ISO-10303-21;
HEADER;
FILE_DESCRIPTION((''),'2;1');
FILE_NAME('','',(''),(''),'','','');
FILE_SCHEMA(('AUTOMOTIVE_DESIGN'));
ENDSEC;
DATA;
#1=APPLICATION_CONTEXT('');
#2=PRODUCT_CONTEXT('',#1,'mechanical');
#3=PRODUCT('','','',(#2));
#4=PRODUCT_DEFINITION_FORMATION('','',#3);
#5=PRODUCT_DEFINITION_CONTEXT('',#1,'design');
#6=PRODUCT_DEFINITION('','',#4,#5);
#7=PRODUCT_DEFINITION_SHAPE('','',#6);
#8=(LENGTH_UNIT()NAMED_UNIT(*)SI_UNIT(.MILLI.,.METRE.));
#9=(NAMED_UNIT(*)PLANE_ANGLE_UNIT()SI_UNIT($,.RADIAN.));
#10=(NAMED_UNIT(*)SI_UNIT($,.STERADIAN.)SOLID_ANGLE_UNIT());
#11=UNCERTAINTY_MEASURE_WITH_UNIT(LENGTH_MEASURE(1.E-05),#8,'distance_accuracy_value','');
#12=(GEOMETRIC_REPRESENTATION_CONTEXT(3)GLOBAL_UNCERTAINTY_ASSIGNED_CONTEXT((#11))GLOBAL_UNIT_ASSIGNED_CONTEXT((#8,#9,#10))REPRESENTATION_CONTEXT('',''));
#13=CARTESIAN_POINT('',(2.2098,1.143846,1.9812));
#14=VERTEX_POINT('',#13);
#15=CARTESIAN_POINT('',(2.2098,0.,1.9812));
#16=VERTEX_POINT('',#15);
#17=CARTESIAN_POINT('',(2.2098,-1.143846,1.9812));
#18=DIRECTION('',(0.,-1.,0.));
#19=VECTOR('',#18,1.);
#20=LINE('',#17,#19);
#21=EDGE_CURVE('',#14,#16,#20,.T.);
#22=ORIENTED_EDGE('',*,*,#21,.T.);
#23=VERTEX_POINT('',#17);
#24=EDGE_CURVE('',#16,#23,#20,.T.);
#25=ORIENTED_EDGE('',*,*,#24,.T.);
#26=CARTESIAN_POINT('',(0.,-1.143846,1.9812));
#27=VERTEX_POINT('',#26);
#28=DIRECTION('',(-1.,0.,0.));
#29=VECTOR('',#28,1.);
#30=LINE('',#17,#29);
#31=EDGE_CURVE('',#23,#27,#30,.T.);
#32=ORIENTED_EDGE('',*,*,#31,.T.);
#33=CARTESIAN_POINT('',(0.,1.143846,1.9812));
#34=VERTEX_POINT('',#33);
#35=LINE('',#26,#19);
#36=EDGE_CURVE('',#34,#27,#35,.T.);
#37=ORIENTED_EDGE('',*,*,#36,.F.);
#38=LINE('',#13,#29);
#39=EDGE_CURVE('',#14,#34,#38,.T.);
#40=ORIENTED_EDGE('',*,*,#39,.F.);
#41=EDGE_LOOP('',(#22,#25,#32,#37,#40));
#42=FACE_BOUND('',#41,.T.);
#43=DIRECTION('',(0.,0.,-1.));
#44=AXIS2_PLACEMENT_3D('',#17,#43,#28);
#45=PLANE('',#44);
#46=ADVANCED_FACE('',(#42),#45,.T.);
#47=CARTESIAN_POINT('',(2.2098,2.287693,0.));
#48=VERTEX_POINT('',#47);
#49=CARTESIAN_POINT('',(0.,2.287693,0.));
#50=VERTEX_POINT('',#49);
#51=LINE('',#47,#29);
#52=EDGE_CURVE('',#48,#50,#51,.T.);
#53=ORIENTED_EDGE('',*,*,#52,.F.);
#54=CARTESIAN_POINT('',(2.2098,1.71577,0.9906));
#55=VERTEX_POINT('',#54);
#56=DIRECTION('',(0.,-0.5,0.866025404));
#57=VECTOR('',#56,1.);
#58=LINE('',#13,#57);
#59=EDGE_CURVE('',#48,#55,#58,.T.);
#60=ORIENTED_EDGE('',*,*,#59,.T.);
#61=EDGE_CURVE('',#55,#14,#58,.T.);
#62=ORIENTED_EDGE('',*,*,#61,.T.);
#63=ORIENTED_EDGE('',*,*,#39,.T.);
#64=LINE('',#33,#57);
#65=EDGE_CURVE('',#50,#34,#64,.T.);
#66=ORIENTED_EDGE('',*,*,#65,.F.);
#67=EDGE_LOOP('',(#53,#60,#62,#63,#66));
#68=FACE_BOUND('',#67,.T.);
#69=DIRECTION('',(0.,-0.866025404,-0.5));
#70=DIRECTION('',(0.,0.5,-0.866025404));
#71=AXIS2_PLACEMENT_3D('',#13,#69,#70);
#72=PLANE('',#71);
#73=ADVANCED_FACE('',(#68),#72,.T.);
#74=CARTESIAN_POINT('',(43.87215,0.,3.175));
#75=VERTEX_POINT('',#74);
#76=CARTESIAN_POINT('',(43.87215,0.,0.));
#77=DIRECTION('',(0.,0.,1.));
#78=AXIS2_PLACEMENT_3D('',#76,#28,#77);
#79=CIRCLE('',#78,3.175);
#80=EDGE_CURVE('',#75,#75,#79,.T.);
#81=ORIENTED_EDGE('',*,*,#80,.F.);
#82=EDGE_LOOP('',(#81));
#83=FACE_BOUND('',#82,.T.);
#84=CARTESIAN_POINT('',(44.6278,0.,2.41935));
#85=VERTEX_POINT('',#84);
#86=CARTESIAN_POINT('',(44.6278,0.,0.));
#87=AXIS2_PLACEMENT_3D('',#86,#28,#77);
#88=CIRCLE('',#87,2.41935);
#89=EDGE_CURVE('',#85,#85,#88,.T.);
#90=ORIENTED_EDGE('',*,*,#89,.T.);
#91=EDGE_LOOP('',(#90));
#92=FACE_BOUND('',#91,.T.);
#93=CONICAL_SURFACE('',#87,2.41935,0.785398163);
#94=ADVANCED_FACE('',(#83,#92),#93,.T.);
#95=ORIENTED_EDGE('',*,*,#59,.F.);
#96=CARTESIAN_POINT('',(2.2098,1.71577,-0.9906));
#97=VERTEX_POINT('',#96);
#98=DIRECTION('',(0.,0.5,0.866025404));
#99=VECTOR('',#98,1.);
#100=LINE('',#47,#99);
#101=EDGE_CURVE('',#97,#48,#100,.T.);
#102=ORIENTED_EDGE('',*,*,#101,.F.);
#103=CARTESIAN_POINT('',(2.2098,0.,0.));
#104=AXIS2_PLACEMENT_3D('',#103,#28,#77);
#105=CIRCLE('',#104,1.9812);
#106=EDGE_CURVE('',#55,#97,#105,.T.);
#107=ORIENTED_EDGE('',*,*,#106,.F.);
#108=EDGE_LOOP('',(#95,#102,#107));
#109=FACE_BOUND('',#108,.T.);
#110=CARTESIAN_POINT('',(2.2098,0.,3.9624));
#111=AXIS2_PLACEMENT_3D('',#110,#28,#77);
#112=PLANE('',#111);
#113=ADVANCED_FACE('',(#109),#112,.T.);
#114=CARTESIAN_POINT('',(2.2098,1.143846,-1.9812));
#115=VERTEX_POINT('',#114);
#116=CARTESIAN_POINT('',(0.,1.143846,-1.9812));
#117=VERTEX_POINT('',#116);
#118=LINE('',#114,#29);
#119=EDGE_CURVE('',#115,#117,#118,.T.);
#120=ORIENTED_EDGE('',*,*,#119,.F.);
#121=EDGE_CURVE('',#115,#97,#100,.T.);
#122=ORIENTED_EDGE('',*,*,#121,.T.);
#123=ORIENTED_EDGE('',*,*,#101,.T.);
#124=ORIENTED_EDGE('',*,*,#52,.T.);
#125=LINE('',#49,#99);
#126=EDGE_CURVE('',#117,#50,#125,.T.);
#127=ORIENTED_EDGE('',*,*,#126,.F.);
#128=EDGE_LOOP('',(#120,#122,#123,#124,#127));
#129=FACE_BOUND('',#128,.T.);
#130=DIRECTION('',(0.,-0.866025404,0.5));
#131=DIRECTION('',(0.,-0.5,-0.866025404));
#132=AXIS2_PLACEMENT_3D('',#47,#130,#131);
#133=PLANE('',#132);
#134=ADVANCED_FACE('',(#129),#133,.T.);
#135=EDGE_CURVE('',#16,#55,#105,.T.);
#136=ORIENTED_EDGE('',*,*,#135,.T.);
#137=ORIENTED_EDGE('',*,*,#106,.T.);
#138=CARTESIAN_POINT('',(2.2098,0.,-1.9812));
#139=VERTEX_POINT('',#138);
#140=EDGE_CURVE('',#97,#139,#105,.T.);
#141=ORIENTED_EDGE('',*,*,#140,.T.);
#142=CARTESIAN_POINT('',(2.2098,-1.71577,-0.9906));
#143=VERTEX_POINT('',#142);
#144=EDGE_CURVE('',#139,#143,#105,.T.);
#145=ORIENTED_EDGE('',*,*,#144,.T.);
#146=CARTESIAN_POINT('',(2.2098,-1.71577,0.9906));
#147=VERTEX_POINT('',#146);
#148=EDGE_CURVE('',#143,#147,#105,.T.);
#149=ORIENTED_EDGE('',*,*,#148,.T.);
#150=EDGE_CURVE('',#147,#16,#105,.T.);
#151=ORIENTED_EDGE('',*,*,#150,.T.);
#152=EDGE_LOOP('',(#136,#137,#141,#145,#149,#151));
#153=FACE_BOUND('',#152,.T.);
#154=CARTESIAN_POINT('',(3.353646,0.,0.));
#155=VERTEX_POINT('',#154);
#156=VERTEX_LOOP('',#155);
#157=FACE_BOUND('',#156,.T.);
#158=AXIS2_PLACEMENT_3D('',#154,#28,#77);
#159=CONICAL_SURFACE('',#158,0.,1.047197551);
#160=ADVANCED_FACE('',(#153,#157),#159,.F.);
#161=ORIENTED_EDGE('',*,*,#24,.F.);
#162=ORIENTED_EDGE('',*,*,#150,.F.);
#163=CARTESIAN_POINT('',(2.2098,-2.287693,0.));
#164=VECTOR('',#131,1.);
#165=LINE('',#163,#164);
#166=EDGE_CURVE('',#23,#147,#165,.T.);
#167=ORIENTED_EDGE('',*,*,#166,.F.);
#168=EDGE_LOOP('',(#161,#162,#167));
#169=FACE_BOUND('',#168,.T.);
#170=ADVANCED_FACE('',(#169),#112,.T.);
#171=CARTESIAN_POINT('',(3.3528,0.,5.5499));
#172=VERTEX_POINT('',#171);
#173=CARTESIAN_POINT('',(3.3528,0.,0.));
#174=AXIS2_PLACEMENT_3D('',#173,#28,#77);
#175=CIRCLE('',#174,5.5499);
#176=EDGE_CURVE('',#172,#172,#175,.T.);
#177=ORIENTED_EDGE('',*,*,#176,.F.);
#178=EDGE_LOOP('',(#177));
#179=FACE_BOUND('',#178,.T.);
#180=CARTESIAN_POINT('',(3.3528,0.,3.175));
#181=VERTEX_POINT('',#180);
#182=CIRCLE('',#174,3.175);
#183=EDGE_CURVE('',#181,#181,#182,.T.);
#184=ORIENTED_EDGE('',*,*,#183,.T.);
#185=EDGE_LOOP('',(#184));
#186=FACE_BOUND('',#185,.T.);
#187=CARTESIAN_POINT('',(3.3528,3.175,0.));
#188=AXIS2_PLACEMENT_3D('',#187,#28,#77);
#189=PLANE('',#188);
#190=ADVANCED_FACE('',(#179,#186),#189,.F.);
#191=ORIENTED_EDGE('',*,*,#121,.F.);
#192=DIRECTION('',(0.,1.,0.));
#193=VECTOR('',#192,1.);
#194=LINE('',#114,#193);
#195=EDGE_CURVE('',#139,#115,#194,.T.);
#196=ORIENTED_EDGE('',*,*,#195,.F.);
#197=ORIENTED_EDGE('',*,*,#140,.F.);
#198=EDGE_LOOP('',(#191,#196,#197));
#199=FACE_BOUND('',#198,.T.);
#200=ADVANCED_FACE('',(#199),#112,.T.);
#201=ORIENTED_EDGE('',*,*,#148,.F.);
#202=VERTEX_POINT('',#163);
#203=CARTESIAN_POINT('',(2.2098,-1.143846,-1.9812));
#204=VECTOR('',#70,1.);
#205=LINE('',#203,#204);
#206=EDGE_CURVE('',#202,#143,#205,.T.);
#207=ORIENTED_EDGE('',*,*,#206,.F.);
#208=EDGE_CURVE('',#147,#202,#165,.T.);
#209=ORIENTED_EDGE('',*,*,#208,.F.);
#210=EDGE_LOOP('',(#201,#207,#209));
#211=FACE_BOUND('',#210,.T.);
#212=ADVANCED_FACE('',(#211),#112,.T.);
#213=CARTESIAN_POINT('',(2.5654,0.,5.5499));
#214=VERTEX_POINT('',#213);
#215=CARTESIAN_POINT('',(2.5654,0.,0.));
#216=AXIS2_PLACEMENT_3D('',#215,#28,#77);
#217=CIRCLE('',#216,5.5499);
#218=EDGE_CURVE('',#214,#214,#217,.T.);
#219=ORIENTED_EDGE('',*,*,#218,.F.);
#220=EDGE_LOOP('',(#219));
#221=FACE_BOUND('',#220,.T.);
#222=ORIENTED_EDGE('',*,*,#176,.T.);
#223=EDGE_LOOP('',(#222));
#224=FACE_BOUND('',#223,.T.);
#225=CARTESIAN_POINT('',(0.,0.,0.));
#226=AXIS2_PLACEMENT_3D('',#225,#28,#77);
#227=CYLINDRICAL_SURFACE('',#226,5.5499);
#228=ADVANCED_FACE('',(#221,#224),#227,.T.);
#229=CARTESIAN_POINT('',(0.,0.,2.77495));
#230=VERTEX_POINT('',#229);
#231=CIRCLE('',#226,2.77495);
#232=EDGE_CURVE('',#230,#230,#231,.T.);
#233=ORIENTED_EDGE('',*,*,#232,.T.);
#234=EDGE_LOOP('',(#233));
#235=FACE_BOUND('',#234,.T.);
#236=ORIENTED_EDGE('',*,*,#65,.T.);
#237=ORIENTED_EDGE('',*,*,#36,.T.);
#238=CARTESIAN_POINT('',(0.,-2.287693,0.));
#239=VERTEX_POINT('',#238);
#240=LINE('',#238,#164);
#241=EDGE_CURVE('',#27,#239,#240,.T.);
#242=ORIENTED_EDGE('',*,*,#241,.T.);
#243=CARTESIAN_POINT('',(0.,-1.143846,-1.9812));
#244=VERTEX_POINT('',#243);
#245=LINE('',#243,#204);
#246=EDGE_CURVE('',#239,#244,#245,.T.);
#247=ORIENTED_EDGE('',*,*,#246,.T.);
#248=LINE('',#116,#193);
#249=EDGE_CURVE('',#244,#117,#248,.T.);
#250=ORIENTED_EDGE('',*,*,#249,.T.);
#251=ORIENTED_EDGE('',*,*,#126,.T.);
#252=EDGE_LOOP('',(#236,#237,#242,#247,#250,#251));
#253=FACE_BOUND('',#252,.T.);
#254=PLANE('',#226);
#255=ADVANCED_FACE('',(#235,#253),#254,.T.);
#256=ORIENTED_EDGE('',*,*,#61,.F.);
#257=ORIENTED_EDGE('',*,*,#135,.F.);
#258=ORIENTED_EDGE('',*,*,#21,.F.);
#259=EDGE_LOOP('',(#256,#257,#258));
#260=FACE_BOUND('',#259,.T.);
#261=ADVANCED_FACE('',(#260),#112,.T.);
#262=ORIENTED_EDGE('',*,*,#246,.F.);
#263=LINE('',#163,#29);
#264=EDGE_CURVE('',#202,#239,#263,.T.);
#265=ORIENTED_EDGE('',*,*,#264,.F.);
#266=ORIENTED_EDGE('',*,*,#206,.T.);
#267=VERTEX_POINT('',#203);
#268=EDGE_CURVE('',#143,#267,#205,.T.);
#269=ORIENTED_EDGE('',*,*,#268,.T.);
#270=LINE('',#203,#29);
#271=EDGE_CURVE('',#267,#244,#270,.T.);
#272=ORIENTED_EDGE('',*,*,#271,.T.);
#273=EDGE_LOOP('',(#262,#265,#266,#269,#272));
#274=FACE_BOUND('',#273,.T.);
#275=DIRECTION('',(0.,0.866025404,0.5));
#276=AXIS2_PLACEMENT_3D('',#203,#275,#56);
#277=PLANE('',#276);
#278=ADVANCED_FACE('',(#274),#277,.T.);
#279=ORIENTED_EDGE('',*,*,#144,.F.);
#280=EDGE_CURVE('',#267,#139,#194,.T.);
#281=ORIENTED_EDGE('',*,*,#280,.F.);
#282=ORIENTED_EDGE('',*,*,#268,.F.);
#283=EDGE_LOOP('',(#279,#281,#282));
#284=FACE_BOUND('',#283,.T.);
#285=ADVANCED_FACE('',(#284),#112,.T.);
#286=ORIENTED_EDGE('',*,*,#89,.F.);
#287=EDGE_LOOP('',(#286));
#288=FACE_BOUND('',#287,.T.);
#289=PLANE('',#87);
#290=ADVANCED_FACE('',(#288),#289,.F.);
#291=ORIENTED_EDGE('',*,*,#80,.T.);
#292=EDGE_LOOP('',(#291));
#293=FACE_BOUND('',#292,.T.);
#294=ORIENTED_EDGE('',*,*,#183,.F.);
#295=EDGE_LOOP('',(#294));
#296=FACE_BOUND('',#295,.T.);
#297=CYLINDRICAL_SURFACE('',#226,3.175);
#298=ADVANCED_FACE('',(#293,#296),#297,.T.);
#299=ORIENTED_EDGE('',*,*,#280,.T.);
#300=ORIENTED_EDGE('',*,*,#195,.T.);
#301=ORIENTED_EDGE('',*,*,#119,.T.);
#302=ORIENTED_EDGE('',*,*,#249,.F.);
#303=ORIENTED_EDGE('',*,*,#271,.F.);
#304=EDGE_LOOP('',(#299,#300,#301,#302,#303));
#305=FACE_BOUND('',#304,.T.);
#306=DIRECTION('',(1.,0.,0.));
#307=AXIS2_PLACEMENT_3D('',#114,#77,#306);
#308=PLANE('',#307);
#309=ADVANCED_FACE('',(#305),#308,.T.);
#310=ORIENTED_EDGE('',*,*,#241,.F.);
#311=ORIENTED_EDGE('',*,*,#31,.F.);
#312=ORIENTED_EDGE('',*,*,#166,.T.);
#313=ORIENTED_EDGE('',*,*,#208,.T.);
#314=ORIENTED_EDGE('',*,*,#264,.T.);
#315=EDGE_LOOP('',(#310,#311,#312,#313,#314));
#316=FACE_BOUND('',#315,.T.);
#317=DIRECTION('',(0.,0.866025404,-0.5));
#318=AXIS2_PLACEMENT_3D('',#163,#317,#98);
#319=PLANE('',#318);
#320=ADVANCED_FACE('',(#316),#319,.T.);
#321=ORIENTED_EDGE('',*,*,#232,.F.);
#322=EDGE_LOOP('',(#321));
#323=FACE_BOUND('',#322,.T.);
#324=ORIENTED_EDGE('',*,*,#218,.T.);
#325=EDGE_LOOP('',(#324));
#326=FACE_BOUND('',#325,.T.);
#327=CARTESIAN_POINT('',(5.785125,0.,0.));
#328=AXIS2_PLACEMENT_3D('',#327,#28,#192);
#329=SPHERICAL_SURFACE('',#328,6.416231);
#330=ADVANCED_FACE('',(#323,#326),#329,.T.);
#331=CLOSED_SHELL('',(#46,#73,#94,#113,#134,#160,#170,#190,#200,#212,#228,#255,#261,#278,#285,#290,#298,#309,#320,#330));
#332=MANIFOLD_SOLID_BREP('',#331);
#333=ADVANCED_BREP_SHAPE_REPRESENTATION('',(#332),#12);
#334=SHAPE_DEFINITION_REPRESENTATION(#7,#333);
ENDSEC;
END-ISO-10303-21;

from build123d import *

# Parameters (mm, degrees)
HEX_2_DEPTH = 2.2098


with BuildPart() as part:
    # BodySke → BaseBody (revolve)
    with BuildSketch(Plane.XY):
        with BuildLine():
            Line((44.6278, 0), (44.6278, 2.41935))
            Line((44.6278, 2.41935), (43.87215, 3.175))
            Line((43.87215, 3.175), (3.3528, 3.175))
            Line((3.3528, 3.175), (3.3528, 5.5499))
            Line((3.3528, 5.5499), (2.5654, 5.5499))
            ThreePointArc((2.5654, 5.5499), (1.073764503, 4.355582759), (0, 2.77495))
            Line((0, 2.77495), (0, 0))
            Line((0, 0), (44.6278, 0))
        make_face()
    revolve(axis=Axis((0, 0, 0), (1, 0, 0)))

    # Sketch2 → PreBroach (revolve, cut)
    with BuildSketch(Plane.XY):
        Polygon((0, 1.9812), (2.2098, 1.9812), (3.353646353, 0), (0, 0), align=None)
    revolve(axis=Axis((0, 0, 0), (1, 0, 0)), mode=Mode.SUBTRACT)

    # Sketch3 → Hex 2 (cut)
    with BuildSketch(Plane(origin=(0, 0, 0), x_dir=(0, 0, -1), z_dir=(1, 0, 0))):
        Polygon((-1.9812, -1.143846353), (-1.9812, 1.143846353), (0, 2.287692707), (1.9812, 1.143846353), (1.9812, -1.143846353), (0, -2.287692707), align=None)
    extrude(amount=HEX_2_DEPTH, mode=Mode.SUBTRACT)


solid = part.part
